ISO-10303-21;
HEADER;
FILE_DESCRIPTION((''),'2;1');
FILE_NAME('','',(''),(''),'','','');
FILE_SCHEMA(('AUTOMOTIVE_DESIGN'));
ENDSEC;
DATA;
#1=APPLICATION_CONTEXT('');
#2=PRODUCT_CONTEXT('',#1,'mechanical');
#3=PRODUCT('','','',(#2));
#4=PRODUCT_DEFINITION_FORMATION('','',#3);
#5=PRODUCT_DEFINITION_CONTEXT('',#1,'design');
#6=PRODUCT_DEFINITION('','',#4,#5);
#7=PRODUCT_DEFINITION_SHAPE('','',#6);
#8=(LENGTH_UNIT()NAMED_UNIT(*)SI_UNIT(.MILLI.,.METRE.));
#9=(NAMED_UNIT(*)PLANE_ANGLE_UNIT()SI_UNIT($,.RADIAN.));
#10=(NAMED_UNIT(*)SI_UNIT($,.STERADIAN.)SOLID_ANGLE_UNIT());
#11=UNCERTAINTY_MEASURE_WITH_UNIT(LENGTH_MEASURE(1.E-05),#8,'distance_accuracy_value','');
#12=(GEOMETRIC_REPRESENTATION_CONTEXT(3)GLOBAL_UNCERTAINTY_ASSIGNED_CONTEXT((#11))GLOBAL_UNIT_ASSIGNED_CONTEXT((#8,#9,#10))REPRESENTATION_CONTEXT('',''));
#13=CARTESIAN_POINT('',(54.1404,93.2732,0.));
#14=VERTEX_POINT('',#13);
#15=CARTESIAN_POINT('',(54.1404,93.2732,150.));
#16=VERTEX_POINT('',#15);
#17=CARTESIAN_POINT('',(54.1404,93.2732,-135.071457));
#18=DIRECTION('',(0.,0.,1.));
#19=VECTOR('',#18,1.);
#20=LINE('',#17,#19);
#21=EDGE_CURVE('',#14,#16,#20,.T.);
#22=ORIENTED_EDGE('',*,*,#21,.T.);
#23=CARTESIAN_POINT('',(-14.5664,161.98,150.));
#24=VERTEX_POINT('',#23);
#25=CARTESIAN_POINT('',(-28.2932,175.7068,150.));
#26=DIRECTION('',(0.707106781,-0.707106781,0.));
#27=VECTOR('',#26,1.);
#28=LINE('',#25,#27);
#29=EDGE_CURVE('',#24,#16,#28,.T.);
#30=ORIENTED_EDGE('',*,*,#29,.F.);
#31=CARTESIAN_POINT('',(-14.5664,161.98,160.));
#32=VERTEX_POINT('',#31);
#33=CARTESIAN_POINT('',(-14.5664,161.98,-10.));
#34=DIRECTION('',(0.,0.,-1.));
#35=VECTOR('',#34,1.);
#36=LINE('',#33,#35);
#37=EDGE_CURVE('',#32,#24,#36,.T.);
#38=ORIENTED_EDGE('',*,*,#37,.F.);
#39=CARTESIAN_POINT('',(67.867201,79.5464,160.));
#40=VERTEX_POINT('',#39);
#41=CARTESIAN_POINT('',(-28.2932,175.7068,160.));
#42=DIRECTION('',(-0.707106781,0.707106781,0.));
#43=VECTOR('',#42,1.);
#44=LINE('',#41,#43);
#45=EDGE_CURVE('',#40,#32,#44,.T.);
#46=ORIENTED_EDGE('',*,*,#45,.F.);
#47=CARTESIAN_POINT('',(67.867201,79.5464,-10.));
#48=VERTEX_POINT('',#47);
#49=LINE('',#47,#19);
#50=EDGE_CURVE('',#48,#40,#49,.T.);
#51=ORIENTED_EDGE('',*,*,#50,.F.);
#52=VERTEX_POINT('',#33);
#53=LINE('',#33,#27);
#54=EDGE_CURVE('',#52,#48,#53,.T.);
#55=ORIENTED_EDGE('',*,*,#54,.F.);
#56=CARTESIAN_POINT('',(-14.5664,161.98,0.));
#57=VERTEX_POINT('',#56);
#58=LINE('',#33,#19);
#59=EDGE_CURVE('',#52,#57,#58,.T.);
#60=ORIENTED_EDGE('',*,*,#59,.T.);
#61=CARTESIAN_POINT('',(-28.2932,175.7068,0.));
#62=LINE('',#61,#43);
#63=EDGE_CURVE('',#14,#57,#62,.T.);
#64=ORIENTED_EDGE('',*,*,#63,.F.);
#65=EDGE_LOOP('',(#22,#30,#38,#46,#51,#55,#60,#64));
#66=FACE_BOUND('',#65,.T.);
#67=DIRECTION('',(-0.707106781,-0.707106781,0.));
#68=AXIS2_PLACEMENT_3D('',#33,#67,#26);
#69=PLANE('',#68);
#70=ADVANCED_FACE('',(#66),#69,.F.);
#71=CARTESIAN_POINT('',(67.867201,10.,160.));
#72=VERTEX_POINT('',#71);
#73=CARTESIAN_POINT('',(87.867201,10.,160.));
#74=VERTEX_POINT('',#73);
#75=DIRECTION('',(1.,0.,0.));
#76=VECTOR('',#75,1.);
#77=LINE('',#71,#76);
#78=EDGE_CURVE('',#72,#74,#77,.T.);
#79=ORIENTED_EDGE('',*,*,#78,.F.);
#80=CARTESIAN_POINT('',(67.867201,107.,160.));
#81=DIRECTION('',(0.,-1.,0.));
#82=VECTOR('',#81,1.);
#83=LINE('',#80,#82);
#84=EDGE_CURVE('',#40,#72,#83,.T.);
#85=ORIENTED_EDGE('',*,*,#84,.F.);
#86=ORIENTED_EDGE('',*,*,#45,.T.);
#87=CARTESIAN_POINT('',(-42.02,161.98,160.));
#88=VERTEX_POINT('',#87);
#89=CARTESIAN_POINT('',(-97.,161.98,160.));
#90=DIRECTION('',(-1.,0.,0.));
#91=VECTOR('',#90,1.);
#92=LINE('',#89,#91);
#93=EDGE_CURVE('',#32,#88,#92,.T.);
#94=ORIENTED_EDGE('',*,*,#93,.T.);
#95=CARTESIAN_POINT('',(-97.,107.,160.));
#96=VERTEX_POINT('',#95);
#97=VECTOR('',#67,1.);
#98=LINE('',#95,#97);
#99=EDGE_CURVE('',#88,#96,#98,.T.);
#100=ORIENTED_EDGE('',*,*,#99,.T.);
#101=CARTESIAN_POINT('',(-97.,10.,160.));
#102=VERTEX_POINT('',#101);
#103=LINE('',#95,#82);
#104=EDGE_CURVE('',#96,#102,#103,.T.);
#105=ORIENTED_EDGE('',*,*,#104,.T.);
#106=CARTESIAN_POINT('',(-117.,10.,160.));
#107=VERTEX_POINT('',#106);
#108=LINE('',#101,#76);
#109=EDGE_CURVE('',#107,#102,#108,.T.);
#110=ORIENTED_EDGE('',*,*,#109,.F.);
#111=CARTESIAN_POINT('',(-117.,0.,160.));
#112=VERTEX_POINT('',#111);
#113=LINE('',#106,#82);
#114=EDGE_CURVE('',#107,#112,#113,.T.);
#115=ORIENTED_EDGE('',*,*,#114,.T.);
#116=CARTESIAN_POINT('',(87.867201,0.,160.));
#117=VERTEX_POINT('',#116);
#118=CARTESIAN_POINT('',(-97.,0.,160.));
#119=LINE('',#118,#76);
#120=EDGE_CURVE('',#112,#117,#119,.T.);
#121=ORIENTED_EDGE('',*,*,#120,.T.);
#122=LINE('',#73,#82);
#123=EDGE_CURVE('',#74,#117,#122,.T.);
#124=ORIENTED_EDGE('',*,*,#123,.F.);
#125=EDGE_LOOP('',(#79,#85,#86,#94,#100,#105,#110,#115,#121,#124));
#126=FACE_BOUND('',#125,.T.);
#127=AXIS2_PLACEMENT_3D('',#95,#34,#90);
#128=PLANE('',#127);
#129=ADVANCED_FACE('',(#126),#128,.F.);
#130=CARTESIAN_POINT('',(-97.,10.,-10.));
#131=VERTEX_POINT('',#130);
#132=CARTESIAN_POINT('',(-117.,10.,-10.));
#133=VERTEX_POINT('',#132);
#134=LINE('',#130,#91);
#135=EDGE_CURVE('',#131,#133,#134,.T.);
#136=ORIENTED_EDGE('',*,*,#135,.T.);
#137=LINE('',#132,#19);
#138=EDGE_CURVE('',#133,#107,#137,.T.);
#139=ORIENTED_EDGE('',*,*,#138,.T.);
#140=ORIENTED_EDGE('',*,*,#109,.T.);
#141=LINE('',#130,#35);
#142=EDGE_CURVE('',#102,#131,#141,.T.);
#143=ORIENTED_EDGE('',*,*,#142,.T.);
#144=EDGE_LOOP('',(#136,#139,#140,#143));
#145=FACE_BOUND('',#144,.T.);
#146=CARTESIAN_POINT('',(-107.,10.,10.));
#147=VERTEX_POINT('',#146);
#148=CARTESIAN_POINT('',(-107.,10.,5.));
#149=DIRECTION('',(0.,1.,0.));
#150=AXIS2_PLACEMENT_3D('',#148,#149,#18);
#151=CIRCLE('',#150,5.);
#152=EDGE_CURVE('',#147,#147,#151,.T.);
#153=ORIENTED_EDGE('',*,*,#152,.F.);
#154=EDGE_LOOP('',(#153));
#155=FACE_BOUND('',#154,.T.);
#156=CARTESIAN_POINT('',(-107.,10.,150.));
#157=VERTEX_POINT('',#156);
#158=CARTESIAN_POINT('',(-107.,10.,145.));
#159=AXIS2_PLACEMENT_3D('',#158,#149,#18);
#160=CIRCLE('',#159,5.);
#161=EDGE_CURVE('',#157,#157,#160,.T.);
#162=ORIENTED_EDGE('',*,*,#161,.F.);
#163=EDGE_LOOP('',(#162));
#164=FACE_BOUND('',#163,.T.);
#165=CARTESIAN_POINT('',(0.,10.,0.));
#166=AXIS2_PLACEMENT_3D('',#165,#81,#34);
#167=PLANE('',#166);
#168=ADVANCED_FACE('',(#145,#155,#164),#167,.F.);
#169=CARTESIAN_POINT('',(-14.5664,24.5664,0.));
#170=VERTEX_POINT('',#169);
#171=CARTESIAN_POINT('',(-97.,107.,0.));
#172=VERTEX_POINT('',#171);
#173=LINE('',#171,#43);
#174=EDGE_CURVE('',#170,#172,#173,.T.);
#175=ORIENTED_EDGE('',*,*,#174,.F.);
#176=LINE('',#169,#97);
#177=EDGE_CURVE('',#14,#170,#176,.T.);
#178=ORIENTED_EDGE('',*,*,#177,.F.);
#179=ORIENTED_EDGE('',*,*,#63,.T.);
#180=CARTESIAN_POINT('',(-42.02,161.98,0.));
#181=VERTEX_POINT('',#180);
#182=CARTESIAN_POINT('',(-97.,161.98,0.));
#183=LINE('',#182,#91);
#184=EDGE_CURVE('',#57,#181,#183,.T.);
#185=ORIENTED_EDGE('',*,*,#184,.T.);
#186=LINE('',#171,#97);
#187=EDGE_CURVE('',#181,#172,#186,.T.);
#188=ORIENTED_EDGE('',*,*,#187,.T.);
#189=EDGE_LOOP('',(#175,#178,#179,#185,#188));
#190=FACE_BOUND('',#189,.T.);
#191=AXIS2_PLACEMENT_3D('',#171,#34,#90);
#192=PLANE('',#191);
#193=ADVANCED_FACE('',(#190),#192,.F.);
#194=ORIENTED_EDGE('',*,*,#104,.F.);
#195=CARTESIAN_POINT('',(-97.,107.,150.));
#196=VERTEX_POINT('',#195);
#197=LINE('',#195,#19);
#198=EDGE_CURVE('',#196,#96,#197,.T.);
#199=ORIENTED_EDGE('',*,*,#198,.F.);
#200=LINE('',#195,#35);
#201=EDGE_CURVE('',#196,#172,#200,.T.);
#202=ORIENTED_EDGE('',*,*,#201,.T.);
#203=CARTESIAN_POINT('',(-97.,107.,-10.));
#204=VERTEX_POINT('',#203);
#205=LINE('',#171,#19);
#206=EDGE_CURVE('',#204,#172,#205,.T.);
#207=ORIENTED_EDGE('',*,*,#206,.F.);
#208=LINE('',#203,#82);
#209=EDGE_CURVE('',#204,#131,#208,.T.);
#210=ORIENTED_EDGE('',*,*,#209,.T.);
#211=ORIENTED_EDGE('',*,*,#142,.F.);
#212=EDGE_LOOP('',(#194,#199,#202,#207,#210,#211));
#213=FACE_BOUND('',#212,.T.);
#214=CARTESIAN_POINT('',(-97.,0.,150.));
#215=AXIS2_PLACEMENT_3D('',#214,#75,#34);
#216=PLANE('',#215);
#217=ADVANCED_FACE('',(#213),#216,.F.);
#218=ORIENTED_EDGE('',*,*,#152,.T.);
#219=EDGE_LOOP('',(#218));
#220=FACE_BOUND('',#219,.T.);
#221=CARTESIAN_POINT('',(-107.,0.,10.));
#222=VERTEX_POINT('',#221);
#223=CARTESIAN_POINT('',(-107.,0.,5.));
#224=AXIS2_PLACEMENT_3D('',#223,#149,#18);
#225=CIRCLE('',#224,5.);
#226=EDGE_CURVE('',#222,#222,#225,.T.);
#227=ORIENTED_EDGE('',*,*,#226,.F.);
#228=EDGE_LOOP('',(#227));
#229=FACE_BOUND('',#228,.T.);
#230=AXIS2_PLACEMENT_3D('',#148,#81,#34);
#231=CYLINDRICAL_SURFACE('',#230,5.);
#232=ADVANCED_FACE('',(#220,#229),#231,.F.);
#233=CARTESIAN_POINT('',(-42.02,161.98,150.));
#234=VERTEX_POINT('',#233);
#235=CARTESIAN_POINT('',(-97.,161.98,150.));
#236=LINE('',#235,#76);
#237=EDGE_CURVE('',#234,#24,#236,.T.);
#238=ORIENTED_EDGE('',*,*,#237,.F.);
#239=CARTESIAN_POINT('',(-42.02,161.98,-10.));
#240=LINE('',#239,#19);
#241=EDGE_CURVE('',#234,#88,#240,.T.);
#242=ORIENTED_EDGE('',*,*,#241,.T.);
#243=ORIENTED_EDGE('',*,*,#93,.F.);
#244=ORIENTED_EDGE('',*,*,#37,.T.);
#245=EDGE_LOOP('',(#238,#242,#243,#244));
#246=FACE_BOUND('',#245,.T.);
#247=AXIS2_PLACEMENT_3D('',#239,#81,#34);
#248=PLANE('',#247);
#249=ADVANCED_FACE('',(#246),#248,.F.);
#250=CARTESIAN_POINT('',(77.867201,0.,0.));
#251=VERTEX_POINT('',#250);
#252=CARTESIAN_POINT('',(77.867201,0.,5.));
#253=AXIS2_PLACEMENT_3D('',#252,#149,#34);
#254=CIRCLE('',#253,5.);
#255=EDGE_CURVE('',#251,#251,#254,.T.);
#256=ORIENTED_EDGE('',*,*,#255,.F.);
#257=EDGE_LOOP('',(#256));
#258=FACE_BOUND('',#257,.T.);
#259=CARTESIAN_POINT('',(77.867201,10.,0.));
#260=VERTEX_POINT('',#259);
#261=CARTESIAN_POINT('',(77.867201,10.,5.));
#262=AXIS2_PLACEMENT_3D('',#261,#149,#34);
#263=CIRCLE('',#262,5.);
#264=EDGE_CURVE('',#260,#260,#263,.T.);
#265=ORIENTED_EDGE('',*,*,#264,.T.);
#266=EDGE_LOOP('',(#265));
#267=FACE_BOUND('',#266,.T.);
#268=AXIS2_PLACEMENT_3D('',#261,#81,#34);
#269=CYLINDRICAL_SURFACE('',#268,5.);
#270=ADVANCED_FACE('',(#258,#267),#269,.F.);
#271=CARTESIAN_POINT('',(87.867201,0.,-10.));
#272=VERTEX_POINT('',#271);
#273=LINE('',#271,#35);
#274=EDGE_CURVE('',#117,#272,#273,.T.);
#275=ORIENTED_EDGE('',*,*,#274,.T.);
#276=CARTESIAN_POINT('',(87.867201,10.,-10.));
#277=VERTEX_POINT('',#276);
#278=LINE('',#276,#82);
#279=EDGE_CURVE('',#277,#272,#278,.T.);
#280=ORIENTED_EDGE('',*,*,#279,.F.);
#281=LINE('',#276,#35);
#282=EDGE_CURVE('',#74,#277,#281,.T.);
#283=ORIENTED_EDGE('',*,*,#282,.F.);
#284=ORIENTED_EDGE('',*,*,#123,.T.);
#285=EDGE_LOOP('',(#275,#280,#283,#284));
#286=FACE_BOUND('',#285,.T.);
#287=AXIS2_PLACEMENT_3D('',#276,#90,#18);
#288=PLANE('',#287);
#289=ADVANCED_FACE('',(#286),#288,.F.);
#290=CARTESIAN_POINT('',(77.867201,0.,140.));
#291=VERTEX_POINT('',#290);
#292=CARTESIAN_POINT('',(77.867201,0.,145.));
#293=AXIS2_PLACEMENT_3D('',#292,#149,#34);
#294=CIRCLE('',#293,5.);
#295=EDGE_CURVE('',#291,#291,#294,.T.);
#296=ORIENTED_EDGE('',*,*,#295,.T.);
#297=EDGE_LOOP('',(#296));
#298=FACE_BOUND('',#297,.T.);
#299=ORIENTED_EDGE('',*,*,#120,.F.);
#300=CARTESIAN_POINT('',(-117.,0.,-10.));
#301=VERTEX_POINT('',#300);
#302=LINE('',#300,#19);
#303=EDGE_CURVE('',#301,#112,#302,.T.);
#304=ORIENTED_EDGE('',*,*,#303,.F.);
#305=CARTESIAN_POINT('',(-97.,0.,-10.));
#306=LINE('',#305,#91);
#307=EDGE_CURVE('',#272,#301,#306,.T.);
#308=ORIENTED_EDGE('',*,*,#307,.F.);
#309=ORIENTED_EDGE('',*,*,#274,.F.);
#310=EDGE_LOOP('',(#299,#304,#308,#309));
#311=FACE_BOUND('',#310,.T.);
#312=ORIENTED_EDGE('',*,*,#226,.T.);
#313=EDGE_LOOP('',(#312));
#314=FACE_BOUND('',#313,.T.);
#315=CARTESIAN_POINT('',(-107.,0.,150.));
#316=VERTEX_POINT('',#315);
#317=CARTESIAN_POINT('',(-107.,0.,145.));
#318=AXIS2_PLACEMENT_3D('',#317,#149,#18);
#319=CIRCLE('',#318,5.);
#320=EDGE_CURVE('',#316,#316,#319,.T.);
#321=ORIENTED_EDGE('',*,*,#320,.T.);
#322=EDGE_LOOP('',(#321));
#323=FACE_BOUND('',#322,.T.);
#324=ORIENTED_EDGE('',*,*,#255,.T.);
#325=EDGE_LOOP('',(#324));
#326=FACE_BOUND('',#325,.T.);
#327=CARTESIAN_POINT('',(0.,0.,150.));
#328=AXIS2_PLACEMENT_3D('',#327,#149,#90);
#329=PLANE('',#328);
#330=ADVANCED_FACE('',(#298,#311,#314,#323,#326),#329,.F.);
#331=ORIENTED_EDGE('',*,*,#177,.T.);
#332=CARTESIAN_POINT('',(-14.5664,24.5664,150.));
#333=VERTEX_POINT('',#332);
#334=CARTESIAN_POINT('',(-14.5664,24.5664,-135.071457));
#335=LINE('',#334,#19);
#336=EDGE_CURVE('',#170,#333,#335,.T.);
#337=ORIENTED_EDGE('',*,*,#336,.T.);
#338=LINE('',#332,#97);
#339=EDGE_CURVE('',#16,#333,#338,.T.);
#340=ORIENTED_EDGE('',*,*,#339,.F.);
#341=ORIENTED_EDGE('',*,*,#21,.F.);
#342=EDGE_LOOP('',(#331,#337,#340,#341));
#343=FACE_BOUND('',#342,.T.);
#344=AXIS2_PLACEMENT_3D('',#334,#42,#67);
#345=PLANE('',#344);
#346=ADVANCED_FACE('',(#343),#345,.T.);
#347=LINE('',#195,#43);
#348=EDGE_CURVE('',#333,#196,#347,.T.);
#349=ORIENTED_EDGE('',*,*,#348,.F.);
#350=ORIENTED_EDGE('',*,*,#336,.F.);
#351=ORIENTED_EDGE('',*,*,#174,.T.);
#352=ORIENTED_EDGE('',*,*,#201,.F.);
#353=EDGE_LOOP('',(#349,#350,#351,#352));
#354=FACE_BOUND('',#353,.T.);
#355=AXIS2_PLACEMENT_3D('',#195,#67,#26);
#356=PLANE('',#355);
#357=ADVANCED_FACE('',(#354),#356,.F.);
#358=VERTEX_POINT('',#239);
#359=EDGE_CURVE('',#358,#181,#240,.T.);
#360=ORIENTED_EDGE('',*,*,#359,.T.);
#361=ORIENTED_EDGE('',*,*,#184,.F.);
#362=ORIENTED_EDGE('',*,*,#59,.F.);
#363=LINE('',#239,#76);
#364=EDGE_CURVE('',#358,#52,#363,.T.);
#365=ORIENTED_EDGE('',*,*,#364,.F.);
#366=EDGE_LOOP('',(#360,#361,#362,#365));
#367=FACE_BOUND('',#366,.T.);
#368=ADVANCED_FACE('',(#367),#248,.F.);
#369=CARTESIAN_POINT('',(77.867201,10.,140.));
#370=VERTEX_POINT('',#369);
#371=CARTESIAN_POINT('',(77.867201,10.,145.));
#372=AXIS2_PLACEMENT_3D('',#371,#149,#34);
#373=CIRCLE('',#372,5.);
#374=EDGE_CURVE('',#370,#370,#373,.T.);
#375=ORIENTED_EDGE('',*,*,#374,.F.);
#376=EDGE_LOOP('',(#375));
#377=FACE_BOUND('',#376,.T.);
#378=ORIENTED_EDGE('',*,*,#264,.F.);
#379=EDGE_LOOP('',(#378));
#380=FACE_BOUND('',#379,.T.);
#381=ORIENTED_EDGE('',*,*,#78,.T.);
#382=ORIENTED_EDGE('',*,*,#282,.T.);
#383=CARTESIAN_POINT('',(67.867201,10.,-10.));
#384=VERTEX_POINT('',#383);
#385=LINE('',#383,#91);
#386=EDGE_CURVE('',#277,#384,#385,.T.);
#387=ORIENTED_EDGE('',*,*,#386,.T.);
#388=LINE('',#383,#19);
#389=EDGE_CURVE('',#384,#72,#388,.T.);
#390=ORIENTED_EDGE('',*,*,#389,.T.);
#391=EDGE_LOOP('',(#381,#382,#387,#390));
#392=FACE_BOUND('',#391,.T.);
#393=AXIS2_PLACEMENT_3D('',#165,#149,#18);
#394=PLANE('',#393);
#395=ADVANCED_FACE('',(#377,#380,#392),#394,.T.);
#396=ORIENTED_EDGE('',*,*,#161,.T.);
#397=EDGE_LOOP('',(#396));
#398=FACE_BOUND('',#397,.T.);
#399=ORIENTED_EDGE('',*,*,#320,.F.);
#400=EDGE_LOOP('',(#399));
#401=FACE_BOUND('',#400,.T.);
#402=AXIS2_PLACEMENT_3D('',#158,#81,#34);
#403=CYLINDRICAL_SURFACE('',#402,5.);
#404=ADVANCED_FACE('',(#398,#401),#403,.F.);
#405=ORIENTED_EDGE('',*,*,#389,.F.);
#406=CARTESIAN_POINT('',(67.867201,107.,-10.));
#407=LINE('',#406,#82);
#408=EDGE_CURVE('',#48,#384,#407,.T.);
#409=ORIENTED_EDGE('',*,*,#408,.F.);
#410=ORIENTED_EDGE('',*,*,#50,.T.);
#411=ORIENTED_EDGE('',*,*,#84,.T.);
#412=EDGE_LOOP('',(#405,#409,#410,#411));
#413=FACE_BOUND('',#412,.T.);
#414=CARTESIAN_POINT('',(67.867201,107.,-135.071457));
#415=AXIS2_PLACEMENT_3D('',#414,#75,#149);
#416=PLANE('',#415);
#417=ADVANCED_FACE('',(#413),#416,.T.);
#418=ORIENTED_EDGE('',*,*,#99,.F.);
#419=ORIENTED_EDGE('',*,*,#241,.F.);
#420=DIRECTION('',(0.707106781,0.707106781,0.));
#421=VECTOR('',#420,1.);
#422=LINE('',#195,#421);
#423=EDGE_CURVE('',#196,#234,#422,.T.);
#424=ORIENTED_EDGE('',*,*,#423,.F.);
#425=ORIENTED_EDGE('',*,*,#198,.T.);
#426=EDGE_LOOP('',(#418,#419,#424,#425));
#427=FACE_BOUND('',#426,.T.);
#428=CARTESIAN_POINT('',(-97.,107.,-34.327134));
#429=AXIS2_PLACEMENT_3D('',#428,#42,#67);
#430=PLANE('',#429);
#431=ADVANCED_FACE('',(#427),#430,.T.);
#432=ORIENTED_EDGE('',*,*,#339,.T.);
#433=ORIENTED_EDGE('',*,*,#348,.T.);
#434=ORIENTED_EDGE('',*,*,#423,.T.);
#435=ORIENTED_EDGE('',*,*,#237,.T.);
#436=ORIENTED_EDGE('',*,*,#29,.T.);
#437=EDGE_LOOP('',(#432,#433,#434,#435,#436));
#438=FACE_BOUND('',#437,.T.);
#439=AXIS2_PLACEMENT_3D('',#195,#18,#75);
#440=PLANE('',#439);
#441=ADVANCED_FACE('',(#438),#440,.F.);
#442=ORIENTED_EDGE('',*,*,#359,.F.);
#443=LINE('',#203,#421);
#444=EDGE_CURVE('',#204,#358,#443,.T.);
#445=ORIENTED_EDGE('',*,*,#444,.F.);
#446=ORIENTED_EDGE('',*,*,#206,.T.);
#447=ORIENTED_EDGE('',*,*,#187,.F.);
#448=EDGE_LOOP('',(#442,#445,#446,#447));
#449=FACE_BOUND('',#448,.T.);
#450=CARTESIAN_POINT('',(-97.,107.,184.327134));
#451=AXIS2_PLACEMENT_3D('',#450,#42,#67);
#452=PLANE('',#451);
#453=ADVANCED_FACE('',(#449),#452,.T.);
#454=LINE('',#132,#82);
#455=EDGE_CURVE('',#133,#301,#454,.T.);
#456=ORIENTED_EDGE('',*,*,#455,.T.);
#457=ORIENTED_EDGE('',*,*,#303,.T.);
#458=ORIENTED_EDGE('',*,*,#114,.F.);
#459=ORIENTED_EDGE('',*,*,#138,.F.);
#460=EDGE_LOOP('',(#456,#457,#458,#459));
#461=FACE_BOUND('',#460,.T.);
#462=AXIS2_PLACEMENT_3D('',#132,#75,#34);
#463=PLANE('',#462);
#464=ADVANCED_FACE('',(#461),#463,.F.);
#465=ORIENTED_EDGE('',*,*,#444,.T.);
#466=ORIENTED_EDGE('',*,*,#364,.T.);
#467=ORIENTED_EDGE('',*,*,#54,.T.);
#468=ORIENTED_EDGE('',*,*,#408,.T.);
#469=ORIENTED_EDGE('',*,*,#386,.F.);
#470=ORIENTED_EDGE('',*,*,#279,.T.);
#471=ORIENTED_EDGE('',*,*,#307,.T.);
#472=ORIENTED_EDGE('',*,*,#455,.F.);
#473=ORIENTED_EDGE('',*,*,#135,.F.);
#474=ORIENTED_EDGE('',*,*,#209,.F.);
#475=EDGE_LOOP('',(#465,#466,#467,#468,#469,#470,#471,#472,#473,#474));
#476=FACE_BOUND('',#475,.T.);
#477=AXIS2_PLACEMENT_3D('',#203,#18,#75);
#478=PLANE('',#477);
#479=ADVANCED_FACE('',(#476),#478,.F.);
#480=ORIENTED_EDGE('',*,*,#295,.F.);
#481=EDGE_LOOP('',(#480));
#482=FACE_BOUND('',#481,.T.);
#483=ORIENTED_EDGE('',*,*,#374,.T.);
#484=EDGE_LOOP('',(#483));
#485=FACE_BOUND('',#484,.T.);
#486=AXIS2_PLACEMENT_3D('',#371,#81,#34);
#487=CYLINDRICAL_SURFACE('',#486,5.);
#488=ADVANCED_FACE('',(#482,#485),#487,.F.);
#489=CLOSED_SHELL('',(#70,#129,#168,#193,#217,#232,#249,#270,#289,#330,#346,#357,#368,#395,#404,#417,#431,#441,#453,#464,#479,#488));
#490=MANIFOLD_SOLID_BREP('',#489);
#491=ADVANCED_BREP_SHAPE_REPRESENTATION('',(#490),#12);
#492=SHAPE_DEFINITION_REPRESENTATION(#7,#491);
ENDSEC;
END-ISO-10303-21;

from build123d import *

# Parameters (mm, degrees)
BOSS_EXTRUDE1_DEPTH     = 150
BOSS_EXTRUDE2_DEPTH     = 150
SKETCH6_W               = 164.867200615
SKETCH6_H               = 10
BOSS_EXTRUDE4_DEPTH     = 107
BOSS_EXTRUDE5_DEPTH     = 10
BOSS_EXTRUDE6_DEPTH     = 10
SKETCH9_W               = 20
SKETCH9_H               = 170
SKETCH9_R               = 5
BOSS_EXTRUDE7_DEPTH     = 10
CUT_EXTRUDE2_DEPTH      = 281.132270411
CUT_EXTRUDE2_DEPTH_BACK = 281.132270411
CUT_EXTRUDE3_DEPTH      = 263.34809014
CUT_EXTRUDE3_DEPTH_BACK = 263.34809014


with BuildPart() as part:
    # Sketch2 → Boss-Extrude1 (new body)
    with BuildSketch(Plane.XY):
        Polygon((0, 0), (-97, 0), (-97, 107), (0, 10), align=None)
    extrude(amount=BOSS_EXTRUDE1_DEPTH)

    # Sketch4 → Boss-Extrude2 (add)
    with BuildSketch(Plane.XY.offset(150)):
        Polygon((-14.566399692, 24.566399692), (67.867200615, 107), (67.867200615, 0), (0, 0), (0, 10), align=None)
    extrude(amount=-BOSS_EXTRUDE2_DEPTH)

    # Sketch6 → Boss-Extrude4 (add)
    with BuildSketch(Plane(origin=(0, 0, 0), x_dir=(1, 0, 0), z_dir=(0, 1, 0))):
        with Locations((-14.566399692, -155)):
            Rectangle(SKETCH6_W, SKETCH6_H)
        with Locations((-14.566399692, 5)):
            Rectangle(SKETCH6_W, SKETCH6_H)
    extrude(amount=BOSS_EXTRUDE4_DEPTH)

    # Sketch7 → Boss-Extrude5 (add)
    with BuildSketch(Plane.XY.offset(160)):
        Polygon((-97, 107), (-14.566399692, 189.433600308), (67.867200615, 107), align=None)
    extrude(amount=-BOSS_EXTRUDE5_DEPTH)

    # Sketch8 → Boss-Extrude6 (add)
    with BuildSketch(Plane(origin=(0, 0, -10), x_dir=(-1, 0, 0), z_dir=(0, 0, -1))):
        Polygon((-67.867200615, 107), (97, 107), (14.566399692, 189.433600308), align=None)
    extrude(amount=-BOSS_EXTRUDE6_DEPTH)

    # Sketch9 → Boss-Extrude7 (add)
    # profile 1 of 2: a face of its own
    with BuildSketch(Plane(origin=(0, 0, 0), x_dir=(1, 0, 0), z_dir=(0, 1, 0))):
        with Locations((-107, -75)):
            Rectangle(SKETCH9_W, SKETCH9_H)
        with Locations(Location((-107, -145, 0), (0, 0, 270))):
            Circle(SKETCH9_R, mode=Mode.SUBTRACT)
        with Locations(Location((-107, -5, 0), (0, 0, 270))):
            Circle(SKETCH9_R, mode=Mode.SUBTRACT)
    # profile 2 of 2: a face of its own
    with BuildSketch(Plane(origin=(0, 0, 0), x_dir=(1, 0, 0), z_dir=(0, 1, 0))):
        with Locations((77.867200615, -75)):
            Rectangle(SKETCH9_W, SKETCH9_H)
        with Locations(Location((77.867200615, -145, 0), (0, 0, 90))):
            Circle(SKETCH9_R, mode=Mode.SUBTRACT)
        with Locations(Location((77.867200615, -5, 0), (0, 0, 90))):
            Circle(SKETCH9_R, mode=Mode.SUBTRACT)
    extrude(amount=BOSS_EXTRUDE7_DEPTH)

    # Sketch12 → Cut-Extrude2 (cut, two sides: drawn at the far end of the back side and taken through both)
    with BuildSketch(Plane.XY.offset(160).offset(-CUT_EXTRUDE2_DEPTH_BACK)):
        Polygon((-42.02, 161.98), (12.887200615, 161.98), (-14.566399692, 189.433600308), align=None)
    extrude(amount=CUT_EXTRUDE2_DEPTH + CUT_EXTRUDE2_DEPTH_BACK, mode=Mode.SUBTRACT)

    # Sketch14 → Cut-Extrude3 (cut, two sides: drawn at the far end of the back side and taken through both)
    with BuildSketch(Plane.XY.offset(160).offset(-CUT_EXTRUDE3_DEPTH_BACK)):
        Polygon((-14.566399692, 161.98), (67.867200615, 79.546399692), (67.867200615, 107), (12.887200615, 161.98), align=None)
    extrude(amount=CUT_EXTRUDE3_DEPTH + CUT_EXTRUDE3_DEPTH_BACK, mode=Mode.SUBTRACT)


solid = part.part
